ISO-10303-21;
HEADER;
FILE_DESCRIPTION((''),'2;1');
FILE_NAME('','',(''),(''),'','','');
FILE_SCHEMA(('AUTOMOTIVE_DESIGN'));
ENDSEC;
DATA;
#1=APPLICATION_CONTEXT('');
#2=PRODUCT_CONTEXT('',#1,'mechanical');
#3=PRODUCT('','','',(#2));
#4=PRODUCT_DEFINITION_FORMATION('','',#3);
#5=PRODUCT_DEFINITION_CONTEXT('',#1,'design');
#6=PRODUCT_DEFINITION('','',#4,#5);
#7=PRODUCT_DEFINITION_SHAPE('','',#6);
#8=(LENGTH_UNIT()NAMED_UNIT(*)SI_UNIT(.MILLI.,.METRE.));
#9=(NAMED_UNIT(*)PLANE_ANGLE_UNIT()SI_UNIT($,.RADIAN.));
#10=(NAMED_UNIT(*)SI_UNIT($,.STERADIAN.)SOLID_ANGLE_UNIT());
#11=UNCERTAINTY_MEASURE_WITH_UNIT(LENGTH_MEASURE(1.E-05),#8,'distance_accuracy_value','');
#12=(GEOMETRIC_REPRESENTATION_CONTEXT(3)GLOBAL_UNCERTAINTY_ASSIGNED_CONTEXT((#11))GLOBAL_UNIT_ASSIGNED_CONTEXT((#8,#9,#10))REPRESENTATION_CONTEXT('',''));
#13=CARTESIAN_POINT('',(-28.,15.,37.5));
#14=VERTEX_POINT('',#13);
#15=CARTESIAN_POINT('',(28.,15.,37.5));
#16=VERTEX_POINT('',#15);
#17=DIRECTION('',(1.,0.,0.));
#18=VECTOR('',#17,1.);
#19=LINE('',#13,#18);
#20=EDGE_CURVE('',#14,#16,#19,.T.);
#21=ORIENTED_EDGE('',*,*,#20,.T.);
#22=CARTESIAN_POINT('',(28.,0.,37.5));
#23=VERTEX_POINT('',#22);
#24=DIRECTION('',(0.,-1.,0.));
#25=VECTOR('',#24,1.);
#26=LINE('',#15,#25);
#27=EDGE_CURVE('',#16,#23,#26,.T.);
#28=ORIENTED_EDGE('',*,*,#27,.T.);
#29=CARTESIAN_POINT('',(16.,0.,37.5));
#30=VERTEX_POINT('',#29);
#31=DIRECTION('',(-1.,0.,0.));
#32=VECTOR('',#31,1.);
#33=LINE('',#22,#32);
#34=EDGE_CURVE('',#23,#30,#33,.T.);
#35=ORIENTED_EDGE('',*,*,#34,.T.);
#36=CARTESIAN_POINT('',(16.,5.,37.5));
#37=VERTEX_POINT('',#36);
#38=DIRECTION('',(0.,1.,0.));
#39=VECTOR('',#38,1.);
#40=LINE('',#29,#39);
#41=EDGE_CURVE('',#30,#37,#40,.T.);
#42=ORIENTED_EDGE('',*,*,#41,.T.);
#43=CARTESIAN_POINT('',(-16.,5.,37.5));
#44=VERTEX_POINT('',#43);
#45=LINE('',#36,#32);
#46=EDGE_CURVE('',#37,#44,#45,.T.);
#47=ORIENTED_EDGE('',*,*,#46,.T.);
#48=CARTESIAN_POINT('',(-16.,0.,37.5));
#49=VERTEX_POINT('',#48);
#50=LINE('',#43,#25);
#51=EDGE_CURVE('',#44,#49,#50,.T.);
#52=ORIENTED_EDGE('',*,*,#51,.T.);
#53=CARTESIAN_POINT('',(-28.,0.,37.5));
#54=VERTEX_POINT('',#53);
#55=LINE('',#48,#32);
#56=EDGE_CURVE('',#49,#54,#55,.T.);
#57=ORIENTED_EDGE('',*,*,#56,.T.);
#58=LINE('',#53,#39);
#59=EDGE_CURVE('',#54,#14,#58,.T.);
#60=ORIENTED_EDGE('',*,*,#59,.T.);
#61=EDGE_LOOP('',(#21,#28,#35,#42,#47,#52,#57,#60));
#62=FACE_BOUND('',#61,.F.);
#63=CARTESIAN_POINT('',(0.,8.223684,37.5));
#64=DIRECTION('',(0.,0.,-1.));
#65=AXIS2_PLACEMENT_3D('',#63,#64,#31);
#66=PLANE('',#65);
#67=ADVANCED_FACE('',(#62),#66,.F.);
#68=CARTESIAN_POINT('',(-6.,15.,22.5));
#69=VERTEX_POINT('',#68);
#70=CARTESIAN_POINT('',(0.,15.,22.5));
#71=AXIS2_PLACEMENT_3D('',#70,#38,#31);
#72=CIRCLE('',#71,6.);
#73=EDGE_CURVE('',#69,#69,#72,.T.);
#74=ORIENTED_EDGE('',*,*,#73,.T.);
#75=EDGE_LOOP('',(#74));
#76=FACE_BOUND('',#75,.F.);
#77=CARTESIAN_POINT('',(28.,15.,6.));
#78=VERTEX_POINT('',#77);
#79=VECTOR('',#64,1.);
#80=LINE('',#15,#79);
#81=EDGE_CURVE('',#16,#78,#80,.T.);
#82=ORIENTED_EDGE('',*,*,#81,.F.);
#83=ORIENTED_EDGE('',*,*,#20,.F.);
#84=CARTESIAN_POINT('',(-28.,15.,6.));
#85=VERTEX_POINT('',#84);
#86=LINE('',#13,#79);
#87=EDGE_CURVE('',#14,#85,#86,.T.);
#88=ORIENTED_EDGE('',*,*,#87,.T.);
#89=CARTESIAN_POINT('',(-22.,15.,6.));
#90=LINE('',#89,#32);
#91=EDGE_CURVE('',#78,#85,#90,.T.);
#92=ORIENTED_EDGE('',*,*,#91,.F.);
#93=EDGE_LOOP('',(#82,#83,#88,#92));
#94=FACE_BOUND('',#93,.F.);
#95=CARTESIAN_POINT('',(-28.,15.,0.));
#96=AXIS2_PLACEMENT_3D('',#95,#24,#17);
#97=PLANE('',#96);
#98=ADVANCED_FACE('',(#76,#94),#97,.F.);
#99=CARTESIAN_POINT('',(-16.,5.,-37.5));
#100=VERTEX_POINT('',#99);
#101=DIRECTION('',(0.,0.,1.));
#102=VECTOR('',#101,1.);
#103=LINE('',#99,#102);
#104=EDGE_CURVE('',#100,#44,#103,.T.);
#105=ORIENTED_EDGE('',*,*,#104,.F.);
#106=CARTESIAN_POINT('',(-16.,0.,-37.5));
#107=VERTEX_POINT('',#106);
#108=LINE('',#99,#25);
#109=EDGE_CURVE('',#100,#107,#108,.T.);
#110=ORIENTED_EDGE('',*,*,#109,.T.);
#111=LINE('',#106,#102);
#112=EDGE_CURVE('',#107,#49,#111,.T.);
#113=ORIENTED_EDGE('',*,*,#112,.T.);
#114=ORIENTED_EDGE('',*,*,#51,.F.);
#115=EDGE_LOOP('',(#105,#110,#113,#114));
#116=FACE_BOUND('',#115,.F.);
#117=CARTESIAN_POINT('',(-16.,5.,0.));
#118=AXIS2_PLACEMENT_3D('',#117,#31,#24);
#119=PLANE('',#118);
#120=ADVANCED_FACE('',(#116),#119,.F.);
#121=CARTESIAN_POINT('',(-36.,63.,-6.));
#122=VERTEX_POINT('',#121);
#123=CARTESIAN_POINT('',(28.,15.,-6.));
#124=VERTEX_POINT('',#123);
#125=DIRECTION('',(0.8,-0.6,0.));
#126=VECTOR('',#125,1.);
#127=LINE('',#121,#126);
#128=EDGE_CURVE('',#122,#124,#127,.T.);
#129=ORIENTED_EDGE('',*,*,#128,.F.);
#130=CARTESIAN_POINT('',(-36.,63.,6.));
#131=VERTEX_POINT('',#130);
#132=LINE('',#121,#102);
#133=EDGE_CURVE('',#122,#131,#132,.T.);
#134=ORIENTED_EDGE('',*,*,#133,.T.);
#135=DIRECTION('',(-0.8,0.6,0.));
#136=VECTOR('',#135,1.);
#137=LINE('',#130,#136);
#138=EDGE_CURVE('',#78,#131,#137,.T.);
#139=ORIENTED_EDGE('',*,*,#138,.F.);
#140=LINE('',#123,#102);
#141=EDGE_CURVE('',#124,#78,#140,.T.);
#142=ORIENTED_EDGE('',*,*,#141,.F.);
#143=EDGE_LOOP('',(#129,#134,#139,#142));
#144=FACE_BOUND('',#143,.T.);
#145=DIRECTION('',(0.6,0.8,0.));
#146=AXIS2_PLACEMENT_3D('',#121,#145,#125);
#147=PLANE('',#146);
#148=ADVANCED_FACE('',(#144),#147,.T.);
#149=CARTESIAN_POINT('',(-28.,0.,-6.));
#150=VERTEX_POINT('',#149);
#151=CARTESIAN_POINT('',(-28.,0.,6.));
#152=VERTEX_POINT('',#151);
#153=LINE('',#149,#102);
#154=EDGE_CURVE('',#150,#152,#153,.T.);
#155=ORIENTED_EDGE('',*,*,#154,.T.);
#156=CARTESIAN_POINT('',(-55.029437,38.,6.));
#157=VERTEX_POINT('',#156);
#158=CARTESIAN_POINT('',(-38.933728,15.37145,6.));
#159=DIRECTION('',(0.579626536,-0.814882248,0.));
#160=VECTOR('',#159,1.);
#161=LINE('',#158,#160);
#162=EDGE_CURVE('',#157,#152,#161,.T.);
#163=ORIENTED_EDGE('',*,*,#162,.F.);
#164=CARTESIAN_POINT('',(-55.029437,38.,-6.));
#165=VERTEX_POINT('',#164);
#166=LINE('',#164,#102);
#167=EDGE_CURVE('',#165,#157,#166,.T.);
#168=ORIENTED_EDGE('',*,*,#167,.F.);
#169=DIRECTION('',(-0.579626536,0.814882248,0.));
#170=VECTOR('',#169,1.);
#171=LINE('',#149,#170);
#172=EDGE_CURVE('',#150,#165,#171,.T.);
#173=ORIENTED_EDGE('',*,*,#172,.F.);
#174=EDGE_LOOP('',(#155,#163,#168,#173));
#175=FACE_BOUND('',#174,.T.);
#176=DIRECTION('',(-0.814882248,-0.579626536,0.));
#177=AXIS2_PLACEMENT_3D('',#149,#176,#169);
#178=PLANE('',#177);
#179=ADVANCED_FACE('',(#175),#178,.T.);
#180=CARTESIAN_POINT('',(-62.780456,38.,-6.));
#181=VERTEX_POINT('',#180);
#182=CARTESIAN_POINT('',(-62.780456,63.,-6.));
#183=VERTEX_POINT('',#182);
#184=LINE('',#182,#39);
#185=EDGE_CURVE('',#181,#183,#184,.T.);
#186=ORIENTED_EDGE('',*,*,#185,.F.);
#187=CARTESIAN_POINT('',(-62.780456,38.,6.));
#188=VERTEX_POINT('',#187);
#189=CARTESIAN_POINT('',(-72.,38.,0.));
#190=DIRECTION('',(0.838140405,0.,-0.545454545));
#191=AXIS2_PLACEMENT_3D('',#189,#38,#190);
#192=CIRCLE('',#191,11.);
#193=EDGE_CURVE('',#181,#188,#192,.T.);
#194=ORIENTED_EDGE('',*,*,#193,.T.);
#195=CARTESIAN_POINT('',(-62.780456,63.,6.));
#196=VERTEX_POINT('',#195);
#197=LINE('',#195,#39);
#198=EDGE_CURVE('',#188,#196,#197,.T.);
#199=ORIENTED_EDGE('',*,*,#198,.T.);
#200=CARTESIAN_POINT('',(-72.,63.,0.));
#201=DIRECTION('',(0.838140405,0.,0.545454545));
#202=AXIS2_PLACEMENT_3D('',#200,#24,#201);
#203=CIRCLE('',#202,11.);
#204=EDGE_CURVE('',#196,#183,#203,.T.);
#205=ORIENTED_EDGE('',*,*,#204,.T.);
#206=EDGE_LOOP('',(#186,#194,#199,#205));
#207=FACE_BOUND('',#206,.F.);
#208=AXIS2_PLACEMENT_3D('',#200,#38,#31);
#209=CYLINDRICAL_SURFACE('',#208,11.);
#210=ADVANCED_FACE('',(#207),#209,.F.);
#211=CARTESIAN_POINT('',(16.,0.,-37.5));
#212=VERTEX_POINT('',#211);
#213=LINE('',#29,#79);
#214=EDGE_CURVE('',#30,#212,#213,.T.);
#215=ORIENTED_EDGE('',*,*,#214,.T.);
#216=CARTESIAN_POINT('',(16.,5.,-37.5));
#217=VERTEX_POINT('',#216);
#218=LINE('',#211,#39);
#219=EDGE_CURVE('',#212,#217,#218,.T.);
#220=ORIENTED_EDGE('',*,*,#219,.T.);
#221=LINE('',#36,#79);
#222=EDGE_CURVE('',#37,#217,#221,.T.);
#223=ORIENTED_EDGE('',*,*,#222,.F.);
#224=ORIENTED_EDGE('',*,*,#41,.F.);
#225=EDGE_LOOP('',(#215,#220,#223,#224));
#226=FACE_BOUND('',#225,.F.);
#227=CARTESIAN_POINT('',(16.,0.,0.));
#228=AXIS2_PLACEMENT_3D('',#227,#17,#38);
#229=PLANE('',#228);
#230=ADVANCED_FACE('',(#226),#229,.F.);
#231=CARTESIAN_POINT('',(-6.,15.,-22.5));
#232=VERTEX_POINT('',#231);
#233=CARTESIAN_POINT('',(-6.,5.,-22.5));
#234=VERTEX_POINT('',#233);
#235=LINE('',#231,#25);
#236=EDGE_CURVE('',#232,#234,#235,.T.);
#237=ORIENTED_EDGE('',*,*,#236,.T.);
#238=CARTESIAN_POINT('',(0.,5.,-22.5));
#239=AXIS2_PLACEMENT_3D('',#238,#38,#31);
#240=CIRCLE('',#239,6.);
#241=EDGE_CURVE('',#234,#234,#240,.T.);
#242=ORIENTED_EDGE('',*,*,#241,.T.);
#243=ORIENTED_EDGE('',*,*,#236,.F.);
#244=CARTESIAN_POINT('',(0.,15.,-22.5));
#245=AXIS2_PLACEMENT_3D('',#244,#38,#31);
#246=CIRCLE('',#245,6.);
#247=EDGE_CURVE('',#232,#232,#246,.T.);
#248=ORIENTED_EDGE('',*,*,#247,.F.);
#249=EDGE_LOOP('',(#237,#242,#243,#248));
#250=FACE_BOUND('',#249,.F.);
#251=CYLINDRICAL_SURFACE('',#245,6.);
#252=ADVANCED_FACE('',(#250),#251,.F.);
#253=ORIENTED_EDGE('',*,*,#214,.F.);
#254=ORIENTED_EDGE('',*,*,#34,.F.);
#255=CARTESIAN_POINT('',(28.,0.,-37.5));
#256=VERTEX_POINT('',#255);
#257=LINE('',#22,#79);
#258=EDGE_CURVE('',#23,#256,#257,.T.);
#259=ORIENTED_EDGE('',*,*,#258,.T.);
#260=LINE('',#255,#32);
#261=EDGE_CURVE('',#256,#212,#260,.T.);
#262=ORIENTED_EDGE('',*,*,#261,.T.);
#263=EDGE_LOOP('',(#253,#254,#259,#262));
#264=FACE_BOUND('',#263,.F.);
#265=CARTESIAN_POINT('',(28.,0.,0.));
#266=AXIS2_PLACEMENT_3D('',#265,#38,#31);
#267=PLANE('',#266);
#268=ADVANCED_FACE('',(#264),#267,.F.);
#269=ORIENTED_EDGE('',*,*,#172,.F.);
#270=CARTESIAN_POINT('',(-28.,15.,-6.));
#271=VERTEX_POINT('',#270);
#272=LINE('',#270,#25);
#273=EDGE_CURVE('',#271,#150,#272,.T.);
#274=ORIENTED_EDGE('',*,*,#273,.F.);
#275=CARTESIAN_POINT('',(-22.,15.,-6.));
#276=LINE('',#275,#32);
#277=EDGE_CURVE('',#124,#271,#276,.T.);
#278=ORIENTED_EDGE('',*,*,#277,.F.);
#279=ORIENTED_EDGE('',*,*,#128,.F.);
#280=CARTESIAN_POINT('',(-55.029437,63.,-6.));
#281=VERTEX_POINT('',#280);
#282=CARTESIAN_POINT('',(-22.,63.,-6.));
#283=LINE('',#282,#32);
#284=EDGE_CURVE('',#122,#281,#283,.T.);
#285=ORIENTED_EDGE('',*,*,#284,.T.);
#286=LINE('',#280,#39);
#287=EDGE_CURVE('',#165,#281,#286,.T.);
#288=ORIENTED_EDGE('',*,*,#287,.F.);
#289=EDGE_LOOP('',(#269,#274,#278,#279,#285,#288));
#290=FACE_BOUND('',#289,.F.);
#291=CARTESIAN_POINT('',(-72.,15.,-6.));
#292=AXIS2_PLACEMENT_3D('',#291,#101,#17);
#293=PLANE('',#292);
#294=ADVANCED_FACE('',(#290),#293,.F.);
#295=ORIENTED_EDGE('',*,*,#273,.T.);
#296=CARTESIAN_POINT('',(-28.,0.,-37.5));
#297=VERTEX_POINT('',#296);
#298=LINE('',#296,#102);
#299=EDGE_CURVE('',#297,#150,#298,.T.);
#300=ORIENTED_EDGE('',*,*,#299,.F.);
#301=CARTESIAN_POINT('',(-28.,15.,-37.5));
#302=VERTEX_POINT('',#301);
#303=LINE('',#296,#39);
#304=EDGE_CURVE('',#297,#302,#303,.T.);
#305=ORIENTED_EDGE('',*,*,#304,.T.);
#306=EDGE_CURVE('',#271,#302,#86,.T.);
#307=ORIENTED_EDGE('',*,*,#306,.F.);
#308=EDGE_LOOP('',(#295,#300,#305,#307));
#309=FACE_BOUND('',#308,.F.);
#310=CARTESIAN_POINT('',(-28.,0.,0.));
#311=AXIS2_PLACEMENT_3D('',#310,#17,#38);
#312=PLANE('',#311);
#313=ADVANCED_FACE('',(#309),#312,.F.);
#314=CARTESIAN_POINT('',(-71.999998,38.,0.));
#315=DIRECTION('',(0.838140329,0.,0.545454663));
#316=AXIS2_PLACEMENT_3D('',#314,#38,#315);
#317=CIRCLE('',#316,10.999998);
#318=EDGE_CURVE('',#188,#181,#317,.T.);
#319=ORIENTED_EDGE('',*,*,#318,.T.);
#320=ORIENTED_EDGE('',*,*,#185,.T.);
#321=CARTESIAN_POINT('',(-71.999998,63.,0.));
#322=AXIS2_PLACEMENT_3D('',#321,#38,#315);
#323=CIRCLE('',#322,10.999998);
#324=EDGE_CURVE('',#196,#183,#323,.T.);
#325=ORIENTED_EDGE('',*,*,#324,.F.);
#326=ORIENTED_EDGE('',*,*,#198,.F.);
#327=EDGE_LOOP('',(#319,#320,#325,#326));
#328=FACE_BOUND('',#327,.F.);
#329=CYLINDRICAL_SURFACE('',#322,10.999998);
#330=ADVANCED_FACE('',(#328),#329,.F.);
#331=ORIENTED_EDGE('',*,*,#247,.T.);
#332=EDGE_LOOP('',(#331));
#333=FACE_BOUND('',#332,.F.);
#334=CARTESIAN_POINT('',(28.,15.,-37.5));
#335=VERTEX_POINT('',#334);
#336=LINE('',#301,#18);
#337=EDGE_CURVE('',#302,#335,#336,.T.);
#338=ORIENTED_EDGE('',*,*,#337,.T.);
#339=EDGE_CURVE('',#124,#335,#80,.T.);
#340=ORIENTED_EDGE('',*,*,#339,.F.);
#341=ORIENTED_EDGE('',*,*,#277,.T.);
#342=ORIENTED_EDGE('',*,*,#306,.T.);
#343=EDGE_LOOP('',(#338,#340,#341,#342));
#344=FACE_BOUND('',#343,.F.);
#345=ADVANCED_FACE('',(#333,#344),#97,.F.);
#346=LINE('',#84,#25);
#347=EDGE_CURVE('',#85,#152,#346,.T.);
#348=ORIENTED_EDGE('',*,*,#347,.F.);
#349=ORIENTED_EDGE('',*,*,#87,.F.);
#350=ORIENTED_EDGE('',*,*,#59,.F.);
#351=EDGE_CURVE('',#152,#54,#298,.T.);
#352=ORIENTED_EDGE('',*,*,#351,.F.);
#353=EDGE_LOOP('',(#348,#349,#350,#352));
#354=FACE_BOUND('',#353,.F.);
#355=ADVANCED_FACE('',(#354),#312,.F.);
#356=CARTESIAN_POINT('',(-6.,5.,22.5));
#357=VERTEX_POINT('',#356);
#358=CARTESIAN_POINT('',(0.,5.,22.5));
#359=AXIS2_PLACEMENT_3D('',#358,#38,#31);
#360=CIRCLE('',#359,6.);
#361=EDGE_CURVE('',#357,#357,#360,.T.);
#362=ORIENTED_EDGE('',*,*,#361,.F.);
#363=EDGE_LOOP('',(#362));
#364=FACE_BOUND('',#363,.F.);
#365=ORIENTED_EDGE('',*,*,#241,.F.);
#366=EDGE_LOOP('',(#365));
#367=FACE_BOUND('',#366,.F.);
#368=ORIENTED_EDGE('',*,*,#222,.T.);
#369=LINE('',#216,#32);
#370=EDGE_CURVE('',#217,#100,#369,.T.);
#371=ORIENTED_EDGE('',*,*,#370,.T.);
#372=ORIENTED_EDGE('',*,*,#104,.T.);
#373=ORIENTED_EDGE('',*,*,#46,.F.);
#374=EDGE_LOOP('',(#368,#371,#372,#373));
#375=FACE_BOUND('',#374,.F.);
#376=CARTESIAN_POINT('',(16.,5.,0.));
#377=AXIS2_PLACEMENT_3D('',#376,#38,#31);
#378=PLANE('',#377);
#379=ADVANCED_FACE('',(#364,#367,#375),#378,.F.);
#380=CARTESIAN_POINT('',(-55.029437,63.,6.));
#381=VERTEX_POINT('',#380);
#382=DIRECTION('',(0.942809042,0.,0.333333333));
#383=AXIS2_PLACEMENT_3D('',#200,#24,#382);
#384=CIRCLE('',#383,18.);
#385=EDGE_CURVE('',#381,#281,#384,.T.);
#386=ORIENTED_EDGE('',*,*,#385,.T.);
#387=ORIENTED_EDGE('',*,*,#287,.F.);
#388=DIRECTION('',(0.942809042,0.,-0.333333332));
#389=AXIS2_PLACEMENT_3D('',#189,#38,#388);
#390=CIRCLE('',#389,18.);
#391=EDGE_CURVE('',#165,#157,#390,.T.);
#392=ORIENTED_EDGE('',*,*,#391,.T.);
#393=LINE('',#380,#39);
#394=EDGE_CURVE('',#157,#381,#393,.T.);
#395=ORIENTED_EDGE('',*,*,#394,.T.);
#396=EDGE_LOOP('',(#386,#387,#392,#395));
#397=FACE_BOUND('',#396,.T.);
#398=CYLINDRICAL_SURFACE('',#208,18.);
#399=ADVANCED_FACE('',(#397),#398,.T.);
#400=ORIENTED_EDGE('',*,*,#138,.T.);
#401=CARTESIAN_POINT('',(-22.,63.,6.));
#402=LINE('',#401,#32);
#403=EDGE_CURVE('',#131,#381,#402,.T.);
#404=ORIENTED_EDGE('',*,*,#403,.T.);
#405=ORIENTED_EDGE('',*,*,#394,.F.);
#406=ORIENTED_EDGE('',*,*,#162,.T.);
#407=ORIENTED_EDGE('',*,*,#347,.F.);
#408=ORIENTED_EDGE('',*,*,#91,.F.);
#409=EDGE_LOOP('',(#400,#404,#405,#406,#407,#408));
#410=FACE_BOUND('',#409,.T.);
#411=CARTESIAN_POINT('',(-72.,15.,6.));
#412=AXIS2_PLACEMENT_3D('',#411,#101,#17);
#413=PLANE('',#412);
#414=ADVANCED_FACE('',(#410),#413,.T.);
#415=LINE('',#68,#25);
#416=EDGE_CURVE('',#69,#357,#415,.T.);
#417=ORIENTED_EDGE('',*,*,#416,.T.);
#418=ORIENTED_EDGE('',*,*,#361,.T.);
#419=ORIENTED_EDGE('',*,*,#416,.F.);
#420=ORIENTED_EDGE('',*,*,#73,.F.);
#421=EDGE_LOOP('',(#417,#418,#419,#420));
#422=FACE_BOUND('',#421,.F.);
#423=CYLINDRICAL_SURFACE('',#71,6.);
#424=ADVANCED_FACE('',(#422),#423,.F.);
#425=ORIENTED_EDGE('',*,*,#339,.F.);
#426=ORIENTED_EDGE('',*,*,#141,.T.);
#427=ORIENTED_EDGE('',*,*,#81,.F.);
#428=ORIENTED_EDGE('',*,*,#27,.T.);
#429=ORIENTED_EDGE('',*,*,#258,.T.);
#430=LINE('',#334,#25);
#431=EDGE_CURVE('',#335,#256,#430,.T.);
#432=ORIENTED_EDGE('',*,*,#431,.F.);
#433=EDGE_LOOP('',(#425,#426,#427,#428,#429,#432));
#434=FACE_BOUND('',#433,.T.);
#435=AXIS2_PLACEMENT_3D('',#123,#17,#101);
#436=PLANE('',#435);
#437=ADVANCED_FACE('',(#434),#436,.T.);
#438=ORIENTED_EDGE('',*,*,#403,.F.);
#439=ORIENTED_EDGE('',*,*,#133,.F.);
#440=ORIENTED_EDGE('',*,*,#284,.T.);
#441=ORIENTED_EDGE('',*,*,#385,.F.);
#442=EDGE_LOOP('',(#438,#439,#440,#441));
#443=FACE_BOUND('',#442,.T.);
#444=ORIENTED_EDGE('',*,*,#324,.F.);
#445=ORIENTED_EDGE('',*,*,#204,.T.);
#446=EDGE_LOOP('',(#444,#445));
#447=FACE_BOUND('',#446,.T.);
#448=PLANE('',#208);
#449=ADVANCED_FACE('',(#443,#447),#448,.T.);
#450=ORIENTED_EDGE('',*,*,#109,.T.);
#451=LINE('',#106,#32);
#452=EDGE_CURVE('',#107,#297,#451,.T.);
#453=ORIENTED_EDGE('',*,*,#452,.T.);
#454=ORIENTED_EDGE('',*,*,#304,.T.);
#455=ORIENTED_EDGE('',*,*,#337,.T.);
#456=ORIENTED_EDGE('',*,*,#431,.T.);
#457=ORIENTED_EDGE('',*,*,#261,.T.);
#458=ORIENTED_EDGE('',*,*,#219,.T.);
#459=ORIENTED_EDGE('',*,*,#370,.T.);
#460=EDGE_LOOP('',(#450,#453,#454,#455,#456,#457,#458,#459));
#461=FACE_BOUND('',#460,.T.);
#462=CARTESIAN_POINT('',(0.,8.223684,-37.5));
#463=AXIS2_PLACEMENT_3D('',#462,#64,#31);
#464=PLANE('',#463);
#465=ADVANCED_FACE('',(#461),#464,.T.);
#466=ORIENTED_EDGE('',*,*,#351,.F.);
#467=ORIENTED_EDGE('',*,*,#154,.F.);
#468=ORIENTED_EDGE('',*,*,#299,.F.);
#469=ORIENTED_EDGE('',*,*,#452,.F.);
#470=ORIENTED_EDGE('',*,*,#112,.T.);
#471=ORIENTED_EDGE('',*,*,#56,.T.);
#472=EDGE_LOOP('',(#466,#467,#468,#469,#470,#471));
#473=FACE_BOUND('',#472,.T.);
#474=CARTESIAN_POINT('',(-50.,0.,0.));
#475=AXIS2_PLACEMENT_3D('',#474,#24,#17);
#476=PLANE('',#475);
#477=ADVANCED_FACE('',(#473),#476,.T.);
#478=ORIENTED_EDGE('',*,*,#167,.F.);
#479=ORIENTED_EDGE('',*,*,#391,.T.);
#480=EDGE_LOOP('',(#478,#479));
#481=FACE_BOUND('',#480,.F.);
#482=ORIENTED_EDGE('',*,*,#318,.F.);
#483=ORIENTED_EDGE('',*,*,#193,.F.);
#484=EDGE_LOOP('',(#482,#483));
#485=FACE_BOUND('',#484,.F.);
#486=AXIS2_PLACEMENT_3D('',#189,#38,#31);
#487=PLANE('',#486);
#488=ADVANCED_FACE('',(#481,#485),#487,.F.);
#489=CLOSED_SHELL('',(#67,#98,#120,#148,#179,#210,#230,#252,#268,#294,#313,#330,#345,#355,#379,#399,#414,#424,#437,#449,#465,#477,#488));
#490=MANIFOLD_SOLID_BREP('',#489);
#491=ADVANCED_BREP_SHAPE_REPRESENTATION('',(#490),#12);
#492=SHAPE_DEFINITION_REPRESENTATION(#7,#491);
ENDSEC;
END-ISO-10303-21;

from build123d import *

# Parameters (mm, degrees)
PAD_DEPTH       = 37.5
SKETCH001_W     = 100
SKETCH001_H     = 12
PAD001_DEPTH    = 48
SKETCH002_W     = 44
SKETCH002_H     = 12
PAD002_DEPTH    = 15
POCKET_DEPTH    = 43.501
SKETCH007_R     = 6
POCKET002_DEPTH = 15.001
SKETCH005_R     = 18
SKETCH005_R_2   = 11
PAD003_DEPTH    = 25
POCKET003_DEPTH = 43.501
POCKET004_DEPTH = 63.001


with BuildPart() as part:
    # Sketch → Pad (new body, symmetric)
    with BuildSketch(Plane.XY):
        Polygon((-28, 0), (-28, 15), (28, 15), (28, 0), (16, 0), (16, 5), (-16, 5), (-16, 0), align=None)
    extrude(amount=PAD_DEPTH, both=True)

    # Sketch001 (on Face2 of Pad) → Pad001 (join)
    with BuildSketch(Plane(origin=(0, 15, 0), x_dir=(-1, 0, 0), z_dir=(0, 1, 0))):
        with Locations((22, 0)):
            Rectangle(SKETCH001_W, SKETCH001_H)
    extrude(amount=PAD001_DEPTH)

    # Sketch002 (on Face4 of Pad001) → Pad002 (join)
    with BuildSketch(Plane.XZ.offset(-15)):
        with Locations((-50, 0)):
            Rectangle(SKETCH002_W, SKETCH002_H)
    extrude(amount=PAD002_DEPTH)

    # Sketch004 (on Face11 of Pad002) → Pocket (cut, through all)
    with BuildSketch(Plane(origin=(0, 0, -6), x_dir=(1, 0, 0), z_dir=(0, 0, -1))):
        Polygon((-36, -63), (28, -15), (28, -63), align=None)
        Polygon((-72, -38), (-28, 0), (-72, 0), align=None)
    extrude(amount=-POCKET_DEPTH, mode=Mode.SUBTRACT)

    # Sketch007 → Pocket002 (cut, through all)
    with BuildSketch(Plane(origin=(0, 15, 0), x_dir=(-1, 0, 0), z_dir=(0, 1, 0))):
        with Locations((0, 22.5)):
            Circle(SKETCH007_R)
        with Locations((0, -22.5)):
            Circle(SKETCH007_R)
    extrude(amount=-POCKET002_DEPTH, mode=Mode.SUBTRACT)

    # Sketch005 (on Face17 of Pocket) → Pad003 (join)
    with BuildSketch(Plane(origin=(0, 63, 0), x_dir=(-1, 0, 0), z_dir=(0, 1, 0))):
        with Locations((72, 0)):
            Circle(SKETCH005_R)
        with Locations((72, 0)):
            Circle(SKETCH005_R_2, mode=Mode.SUBTRACT)
    extrude(amount=-PAD003_DEPTH)

    # Sketch008 (on Face11 of Pad003) → Pocket003 (cut, through all)
    with BuildSketch(Plane(origin=(0, 0, -6), x_dir=(1, 0, 0), z_dir=(0, 0, -1))):
        Polygon((-28, 0), (-55.029437, -38), (-72, -38), align=None)
    extrude(amount=-POCKET003_DEPTH, mode=Mode.SUBTRACT)

    # Sketch009 (on Face32 of Pocket003) → Pocket004 (cut, through all)
    with BuildSketch(Plane(origin=(0, 63, 0), x_dir=(-1, 0, 0), z_dir=(0, 1, 0))):
        with BuildLine():
            ThreePointArc((62.780456, 6), (61, 0), (62.780456, -6))
            Line((72, -6), (62.780456, -6))
            Line((72, 6), (72, -6))
            Line((62.780456, 6), (72, 6))
        make_face()
    extrude(amount=-POCKET004_DEPTH, mode=Mode.SUBTRACT)


solid = part.part
